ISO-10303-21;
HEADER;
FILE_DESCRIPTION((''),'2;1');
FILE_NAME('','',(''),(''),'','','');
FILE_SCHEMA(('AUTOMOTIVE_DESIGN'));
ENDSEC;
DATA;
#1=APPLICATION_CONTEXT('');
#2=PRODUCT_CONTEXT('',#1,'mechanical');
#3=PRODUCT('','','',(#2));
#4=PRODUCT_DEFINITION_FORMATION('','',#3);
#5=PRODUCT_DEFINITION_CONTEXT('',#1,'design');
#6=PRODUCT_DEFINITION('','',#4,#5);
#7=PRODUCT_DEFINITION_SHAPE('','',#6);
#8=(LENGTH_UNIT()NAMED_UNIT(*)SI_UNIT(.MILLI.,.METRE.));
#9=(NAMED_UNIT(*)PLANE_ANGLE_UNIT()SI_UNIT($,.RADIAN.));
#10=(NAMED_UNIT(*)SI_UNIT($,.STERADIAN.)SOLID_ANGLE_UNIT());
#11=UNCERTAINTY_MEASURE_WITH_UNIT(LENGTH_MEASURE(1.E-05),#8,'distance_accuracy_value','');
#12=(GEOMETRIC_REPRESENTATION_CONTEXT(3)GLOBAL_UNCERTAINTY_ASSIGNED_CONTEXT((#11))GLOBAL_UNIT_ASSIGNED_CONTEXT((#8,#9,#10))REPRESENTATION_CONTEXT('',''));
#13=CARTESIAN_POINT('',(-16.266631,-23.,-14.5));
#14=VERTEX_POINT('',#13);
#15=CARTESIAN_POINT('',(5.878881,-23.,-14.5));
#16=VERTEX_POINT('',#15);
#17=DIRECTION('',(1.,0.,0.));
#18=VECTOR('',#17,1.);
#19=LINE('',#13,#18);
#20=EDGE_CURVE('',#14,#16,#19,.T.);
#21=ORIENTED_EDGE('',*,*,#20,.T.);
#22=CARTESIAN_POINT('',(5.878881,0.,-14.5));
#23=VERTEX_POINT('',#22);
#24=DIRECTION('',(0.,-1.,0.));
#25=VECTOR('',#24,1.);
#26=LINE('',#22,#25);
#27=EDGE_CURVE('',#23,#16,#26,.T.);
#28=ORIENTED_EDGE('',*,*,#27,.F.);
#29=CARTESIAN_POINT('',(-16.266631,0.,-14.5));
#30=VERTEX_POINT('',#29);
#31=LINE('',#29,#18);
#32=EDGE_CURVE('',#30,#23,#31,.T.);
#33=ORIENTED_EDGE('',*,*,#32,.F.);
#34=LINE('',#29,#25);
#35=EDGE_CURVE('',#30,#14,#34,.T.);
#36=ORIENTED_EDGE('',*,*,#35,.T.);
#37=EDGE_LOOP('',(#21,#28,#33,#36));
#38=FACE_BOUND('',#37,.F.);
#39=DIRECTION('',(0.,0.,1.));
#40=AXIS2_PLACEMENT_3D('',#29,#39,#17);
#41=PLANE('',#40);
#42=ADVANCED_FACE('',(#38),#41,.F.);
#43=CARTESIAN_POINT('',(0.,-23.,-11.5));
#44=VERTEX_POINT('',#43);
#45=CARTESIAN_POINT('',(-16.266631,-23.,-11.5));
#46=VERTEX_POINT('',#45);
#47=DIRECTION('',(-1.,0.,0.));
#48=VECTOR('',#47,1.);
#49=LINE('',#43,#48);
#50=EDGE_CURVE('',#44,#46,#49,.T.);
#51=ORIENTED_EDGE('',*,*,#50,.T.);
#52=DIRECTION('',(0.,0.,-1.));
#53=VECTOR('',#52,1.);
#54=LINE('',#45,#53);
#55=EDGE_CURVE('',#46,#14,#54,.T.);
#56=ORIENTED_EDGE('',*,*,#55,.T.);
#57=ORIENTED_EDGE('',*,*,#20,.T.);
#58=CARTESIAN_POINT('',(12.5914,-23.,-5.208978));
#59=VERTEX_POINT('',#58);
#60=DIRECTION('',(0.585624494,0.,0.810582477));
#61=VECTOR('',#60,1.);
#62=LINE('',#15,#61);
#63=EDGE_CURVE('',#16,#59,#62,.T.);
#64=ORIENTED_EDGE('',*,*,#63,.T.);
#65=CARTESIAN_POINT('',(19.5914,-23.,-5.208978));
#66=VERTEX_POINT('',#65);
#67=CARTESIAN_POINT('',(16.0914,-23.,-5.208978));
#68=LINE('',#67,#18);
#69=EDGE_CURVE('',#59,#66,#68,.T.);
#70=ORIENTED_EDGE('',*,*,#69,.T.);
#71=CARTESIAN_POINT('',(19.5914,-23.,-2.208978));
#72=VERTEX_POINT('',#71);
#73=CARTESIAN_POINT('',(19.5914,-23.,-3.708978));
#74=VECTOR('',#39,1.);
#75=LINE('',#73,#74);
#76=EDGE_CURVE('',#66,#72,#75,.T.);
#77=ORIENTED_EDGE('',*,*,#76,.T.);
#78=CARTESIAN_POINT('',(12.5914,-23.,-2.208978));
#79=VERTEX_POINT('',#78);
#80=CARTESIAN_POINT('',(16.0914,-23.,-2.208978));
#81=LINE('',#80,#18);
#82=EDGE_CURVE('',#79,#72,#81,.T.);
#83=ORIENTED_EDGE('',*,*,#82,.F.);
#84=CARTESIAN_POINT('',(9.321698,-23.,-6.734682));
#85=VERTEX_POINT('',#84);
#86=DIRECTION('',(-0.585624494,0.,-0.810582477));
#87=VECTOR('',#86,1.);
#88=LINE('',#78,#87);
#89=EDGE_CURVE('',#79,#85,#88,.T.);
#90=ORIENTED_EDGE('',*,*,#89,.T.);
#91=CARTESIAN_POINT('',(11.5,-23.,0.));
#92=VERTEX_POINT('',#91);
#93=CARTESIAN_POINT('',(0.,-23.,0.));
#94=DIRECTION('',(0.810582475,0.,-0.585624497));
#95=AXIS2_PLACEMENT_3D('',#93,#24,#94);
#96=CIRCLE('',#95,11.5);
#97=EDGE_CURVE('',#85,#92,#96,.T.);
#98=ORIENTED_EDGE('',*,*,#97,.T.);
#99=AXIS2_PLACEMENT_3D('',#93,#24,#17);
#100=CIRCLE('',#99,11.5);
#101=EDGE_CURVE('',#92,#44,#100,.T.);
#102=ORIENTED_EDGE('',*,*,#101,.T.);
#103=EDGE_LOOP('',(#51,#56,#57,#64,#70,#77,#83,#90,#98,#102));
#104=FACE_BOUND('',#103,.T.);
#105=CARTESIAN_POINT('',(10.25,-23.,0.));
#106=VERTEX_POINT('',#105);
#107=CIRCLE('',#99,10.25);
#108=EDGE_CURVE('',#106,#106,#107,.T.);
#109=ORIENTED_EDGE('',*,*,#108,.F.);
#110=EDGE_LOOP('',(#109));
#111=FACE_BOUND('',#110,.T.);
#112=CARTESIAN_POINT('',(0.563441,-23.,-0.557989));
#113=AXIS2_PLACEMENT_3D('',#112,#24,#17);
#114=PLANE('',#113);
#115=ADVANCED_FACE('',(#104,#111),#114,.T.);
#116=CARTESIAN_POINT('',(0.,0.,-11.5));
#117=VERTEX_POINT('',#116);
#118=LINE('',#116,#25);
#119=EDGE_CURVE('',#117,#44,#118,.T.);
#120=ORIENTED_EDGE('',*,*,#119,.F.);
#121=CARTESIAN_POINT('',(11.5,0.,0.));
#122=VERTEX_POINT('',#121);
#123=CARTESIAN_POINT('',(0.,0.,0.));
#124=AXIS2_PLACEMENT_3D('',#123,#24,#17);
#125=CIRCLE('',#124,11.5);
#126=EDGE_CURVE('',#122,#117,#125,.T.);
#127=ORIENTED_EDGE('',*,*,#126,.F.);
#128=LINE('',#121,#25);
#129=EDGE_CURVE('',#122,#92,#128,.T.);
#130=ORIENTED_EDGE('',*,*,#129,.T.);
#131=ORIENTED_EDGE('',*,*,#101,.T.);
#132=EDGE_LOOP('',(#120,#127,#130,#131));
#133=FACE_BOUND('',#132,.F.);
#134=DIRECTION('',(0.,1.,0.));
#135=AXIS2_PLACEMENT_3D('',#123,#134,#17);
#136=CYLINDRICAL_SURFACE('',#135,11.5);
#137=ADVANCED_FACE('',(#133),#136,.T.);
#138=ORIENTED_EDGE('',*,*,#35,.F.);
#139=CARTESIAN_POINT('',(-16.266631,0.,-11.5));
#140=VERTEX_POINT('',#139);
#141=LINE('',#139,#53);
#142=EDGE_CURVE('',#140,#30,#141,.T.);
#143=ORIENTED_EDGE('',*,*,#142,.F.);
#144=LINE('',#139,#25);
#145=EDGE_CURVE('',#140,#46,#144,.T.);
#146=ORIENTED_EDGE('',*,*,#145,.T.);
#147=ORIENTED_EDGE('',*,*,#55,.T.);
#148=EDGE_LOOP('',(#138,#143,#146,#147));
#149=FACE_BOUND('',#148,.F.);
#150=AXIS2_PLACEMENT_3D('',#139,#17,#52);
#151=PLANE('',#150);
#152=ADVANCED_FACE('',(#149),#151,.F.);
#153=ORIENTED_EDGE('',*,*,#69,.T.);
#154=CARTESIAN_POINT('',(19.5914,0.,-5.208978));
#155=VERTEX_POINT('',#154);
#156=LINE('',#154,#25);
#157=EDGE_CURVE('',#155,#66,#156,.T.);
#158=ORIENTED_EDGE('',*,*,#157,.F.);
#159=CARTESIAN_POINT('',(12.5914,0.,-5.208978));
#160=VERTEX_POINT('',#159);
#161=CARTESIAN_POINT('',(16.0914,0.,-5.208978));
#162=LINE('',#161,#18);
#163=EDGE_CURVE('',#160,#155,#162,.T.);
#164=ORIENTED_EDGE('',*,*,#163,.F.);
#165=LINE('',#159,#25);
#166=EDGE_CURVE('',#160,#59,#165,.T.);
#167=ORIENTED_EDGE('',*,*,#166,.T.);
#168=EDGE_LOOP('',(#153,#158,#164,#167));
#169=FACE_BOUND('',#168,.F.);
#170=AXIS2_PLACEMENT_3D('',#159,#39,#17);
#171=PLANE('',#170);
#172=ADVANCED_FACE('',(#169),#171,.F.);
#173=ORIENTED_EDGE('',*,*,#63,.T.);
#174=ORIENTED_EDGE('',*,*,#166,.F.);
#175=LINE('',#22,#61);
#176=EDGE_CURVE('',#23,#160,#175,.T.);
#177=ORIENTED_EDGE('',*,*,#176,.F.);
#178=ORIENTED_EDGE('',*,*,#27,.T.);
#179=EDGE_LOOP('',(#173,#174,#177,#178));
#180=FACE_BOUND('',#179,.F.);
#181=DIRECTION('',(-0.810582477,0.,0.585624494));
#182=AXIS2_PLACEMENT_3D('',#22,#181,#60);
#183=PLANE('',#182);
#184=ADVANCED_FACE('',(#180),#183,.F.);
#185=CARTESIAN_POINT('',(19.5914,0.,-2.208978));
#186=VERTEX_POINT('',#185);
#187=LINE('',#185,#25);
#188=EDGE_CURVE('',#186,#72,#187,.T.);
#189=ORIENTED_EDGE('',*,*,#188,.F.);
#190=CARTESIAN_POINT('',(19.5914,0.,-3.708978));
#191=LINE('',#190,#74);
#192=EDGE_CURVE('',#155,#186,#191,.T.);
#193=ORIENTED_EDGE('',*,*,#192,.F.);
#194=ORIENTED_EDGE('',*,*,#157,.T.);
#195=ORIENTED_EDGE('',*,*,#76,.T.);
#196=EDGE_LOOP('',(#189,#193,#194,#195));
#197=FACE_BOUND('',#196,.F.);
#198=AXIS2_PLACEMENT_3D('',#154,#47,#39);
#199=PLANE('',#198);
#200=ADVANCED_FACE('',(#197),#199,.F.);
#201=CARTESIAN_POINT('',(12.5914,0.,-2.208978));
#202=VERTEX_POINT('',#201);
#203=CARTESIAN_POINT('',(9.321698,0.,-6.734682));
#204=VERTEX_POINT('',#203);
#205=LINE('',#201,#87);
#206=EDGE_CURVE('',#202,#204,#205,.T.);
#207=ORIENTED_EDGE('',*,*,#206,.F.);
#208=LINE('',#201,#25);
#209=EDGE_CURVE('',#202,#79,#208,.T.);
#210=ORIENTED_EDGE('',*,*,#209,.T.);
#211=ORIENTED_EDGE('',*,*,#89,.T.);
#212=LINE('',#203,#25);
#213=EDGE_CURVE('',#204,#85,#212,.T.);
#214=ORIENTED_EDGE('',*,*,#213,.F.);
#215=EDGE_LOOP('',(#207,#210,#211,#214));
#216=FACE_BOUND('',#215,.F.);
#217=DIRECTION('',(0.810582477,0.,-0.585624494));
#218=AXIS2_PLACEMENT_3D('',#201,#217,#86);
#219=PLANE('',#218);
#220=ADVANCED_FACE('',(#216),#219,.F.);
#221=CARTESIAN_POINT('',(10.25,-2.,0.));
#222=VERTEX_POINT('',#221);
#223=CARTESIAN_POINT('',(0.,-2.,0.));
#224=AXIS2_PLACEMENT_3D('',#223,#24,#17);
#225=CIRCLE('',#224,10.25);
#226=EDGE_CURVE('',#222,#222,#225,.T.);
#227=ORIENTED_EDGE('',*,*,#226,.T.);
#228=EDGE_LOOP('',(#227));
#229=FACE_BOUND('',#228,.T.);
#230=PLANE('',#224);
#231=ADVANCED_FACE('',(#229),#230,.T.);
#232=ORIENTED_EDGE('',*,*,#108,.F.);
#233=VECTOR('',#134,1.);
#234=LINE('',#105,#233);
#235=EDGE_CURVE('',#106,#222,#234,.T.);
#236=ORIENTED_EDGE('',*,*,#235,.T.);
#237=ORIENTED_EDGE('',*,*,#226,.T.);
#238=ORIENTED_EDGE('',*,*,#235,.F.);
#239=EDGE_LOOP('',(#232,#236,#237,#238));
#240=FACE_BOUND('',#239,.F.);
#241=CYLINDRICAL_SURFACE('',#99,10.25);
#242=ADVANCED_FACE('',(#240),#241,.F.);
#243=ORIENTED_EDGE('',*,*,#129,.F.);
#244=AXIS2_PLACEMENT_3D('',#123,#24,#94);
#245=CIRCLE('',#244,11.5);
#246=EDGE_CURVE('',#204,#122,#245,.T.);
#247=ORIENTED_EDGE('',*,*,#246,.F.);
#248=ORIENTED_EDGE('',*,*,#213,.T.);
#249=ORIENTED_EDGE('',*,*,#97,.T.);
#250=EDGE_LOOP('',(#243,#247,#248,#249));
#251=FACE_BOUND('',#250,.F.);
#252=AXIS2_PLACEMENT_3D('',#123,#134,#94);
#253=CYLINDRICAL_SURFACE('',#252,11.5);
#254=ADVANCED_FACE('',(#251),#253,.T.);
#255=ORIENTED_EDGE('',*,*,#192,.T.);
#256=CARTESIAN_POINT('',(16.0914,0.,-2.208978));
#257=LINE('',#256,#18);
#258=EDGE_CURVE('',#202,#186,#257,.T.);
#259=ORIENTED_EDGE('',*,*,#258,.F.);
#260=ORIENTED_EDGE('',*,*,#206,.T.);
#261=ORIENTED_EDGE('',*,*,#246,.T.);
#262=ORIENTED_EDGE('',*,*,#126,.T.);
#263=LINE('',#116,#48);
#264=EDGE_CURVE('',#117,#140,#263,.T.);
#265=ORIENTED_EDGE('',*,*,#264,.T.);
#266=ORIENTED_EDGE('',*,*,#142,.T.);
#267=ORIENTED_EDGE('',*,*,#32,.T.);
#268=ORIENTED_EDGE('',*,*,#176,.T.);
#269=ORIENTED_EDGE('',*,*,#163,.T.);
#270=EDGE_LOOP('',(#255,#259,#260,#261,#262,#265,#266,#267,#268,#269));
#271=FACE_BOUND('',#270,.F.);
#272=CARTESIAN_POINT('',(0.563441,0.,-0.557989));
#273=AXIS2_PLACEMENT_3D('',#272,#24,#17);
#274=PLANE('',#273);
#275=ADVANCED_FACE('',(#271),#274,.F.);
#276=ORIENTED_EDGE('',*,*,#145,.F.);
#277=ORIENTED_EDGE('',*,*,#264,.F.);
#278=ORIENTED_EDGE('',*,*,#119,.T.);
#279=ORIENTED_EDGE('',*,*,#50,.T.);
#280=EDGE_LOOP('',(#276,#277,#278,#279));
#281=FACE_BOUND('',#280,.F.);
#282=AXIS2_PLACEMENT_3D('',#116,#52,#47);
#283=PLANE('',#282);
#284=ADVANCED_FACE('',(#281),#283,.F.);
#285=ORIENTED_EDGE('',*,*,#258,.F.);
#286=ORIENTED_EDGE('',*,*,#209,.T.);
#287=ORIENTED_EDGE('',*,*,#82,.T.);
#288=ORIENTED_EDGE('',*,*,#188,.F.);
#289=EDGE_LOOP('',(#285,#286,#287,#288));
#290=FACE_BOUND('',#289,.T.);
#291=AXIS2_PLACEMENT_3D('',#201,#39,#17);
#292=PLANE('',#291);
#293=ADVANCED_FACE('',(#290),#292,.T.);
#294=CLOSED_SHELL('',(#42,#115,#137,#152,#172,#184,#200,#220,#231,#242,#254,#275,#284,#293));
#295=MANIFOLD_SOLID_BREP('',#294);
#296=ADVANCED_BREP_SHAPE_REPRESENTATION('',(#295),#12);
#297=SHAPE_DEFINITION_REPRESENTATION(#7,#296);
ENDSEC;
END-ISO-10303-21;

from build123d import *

# Parameters (mm, degrees)
F0_W     = 7
F0_H     = 3
F1_DEPTH = 23
F2_R     = 10.25
F3_DEPTH = 21


with BuildPart() as f1:
    # F0 (on Front) → F1 (new body)
    with BuildSketch(Plane.XZ):
        with BuildLine():
            ThreePointArc((9.32169846, -6.7346817164), (10.9418812891, -3.5391007127), (11.5, 0))
            ThreePointArc((11.5, 0), (-8.1317279744, 8.1317279929), (-2.6e-08, -11.5))
            ThreePointArc((-2.6e-08, -11.5), (5.2345563336, -10.2396005777), (9.32169846, -6.7346817164))
        make_face()
        Polygon((5.8788814894, -11.5), (-2.6e-08, -11.5), (-16.2666305587, -11.5), (-16.2666305587, -14.5), (5.8788814894, -14.5), align=None)
        with BuildLine():
            ThreePointArc((9.32169846, -6.7346817164), (5.2345563336, -10.2396005777), (-2.6e-08, -11.5))
            Line((-2.6e-08, -11.5), (5.8788814894, -11.5))
            Line((5.8788814894, -11.5), (9.32169846, -6.7346817164))
        make_face()
        Polygon((12.5914004307, -2.2089777025), (9.32169846, -6.7346817164), (5.8788814894, -11.5), (5.8788814894, -14.5), (12.5914004307, -5.2089777025), align=None)
        with Locations((16.0914004307, -3.7089777025)):
            Rectangle(F0_W, F0_H)
    extrude(amount=F1_DEPTH)

    # F2 (on face) → F3 (cut)
    with BuildSketch(Plane.XZ.offset(23)):
        Circle(F2_R)
    extrude(amount=-F3_DEPTH, mode=Mode.SUBTRACT)


solid = f1.part
